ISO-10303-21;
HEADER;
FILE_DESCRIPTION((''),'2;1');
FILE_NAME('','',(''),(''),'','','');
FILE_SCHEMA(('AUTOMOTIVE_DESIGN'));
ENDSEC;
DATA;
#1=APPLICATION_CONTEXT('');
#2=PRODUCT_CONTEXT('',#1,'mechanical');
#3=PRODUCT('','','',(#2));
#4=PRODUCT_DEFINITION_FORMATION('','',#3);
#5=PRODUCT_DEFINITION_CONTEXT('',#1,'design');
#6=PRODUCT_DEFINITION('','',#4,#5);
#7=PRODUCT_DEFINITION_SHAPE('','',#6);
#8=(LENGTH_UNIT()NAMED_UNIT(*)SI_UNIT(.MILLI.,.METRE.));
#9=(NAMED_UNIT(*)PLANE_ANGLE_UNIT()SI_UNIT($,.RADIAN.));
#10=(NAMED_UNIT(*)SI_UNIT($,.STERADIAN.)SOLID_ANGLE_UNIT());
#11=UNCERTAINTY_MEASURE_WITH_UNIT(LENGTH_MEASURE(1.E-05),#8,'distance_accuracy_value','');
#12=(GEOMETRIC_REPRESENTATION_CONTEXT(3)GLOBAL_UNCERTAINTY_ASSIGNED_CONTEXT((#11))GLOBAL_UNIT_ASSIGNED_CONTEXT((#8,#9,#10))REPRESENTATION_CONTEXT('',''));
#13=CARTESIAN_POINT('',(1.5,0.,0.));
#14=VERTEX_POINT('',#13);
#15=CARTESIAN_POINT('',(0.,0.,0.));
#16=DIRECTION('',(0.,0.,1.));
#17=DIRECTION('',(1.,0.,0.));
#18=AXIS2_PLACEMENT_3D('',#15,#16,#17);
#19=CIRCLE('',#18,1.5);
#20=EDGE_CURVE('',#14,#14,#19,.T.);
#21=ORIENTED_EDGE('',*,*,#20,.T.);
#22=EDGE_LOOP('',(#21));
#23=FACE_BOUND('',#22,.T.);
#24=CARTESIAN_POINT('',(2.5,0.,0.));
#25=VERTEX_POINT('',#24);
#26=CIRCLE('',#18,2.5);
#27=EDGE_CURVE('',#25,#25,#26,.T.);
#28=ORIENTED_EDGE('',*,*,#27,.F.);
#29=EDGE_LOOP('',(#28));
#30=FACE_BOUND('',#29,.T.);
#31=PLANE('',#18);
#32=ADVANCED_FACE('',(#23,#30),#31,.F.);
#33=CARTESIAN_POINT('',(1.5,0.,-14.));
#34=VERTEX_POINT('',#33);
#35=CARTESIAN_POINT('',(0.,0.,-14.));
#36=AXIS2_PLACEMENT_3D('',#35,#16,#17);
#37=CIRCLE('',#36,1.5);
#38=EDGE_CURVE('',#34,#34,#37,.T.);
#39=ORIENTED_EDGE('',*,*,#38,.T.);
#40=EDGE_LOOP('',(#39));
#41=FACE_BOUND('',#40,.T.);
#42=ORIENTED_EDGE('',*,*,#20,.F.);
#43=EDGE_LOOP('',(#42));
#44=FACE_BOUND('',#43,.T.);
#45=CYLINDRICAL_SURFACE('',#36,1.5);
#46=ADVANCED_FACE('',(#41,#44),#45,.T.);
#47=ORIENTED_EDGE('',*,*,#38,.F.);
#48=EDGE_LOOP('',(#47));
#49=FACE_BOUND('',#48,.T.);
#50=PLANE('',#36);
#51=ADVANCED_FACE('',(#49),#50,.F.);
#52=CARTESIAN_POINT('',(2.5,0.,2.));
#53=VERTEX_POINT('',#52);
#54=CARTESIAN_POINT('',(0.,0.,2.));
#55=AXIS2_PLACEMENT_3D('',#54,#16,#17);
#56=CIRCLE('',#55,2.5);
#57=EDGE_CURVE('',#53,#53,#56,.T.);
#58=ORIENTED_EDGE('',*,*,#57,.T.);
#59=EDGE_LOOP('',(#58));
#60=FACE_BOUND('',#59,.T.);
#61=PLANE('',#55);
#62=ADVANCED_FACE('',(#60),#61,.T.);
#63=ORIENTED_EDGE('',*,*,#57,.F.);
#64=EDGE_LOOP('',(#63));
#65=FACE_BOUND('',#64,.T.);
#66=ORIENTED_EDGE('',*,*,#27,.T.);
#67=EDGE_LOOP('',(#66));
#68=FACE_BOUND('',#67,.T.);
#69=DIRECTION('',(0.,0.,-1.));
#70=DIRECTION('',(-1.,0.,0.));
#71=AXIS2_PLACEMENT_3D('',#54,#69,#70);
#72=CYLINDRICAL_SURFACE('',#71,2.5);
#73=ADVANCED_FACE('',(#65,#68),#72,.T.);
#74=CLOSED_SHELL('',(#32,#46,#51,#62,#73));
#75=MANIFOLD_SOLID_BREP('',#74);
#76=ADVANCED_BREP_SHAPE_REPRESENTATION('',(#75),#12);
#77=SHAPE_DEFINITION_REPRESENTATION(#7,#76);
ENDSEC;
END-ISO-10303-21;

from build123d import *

# Parameters (mm, degrees)
ESQUISSE1_R        = 1.5
BOSS_EXTRU_1_DEPTH = 14
ESQUISSE2_R        = 2.5
BOSS_EXTRU_2_DEPTH = 2


with BuildPart() as part:
    # Esquisse1 → Boss.-Extru.1 (new body)
    with BuildSketch(Plane.XY):
        Circle(ESQUISSE1_R)
    extrude(amount=-BOSS_EXTRU_1_DEPTH)

    # Esquisse2 → Boss.-Extru.2 (add)
    with BuildSketch(Plane.XY):
        Circle(ESQUISSE2_R)
    extrude(amount=BOSS_EXTRU_2_DEPTH)


solid = part.part
